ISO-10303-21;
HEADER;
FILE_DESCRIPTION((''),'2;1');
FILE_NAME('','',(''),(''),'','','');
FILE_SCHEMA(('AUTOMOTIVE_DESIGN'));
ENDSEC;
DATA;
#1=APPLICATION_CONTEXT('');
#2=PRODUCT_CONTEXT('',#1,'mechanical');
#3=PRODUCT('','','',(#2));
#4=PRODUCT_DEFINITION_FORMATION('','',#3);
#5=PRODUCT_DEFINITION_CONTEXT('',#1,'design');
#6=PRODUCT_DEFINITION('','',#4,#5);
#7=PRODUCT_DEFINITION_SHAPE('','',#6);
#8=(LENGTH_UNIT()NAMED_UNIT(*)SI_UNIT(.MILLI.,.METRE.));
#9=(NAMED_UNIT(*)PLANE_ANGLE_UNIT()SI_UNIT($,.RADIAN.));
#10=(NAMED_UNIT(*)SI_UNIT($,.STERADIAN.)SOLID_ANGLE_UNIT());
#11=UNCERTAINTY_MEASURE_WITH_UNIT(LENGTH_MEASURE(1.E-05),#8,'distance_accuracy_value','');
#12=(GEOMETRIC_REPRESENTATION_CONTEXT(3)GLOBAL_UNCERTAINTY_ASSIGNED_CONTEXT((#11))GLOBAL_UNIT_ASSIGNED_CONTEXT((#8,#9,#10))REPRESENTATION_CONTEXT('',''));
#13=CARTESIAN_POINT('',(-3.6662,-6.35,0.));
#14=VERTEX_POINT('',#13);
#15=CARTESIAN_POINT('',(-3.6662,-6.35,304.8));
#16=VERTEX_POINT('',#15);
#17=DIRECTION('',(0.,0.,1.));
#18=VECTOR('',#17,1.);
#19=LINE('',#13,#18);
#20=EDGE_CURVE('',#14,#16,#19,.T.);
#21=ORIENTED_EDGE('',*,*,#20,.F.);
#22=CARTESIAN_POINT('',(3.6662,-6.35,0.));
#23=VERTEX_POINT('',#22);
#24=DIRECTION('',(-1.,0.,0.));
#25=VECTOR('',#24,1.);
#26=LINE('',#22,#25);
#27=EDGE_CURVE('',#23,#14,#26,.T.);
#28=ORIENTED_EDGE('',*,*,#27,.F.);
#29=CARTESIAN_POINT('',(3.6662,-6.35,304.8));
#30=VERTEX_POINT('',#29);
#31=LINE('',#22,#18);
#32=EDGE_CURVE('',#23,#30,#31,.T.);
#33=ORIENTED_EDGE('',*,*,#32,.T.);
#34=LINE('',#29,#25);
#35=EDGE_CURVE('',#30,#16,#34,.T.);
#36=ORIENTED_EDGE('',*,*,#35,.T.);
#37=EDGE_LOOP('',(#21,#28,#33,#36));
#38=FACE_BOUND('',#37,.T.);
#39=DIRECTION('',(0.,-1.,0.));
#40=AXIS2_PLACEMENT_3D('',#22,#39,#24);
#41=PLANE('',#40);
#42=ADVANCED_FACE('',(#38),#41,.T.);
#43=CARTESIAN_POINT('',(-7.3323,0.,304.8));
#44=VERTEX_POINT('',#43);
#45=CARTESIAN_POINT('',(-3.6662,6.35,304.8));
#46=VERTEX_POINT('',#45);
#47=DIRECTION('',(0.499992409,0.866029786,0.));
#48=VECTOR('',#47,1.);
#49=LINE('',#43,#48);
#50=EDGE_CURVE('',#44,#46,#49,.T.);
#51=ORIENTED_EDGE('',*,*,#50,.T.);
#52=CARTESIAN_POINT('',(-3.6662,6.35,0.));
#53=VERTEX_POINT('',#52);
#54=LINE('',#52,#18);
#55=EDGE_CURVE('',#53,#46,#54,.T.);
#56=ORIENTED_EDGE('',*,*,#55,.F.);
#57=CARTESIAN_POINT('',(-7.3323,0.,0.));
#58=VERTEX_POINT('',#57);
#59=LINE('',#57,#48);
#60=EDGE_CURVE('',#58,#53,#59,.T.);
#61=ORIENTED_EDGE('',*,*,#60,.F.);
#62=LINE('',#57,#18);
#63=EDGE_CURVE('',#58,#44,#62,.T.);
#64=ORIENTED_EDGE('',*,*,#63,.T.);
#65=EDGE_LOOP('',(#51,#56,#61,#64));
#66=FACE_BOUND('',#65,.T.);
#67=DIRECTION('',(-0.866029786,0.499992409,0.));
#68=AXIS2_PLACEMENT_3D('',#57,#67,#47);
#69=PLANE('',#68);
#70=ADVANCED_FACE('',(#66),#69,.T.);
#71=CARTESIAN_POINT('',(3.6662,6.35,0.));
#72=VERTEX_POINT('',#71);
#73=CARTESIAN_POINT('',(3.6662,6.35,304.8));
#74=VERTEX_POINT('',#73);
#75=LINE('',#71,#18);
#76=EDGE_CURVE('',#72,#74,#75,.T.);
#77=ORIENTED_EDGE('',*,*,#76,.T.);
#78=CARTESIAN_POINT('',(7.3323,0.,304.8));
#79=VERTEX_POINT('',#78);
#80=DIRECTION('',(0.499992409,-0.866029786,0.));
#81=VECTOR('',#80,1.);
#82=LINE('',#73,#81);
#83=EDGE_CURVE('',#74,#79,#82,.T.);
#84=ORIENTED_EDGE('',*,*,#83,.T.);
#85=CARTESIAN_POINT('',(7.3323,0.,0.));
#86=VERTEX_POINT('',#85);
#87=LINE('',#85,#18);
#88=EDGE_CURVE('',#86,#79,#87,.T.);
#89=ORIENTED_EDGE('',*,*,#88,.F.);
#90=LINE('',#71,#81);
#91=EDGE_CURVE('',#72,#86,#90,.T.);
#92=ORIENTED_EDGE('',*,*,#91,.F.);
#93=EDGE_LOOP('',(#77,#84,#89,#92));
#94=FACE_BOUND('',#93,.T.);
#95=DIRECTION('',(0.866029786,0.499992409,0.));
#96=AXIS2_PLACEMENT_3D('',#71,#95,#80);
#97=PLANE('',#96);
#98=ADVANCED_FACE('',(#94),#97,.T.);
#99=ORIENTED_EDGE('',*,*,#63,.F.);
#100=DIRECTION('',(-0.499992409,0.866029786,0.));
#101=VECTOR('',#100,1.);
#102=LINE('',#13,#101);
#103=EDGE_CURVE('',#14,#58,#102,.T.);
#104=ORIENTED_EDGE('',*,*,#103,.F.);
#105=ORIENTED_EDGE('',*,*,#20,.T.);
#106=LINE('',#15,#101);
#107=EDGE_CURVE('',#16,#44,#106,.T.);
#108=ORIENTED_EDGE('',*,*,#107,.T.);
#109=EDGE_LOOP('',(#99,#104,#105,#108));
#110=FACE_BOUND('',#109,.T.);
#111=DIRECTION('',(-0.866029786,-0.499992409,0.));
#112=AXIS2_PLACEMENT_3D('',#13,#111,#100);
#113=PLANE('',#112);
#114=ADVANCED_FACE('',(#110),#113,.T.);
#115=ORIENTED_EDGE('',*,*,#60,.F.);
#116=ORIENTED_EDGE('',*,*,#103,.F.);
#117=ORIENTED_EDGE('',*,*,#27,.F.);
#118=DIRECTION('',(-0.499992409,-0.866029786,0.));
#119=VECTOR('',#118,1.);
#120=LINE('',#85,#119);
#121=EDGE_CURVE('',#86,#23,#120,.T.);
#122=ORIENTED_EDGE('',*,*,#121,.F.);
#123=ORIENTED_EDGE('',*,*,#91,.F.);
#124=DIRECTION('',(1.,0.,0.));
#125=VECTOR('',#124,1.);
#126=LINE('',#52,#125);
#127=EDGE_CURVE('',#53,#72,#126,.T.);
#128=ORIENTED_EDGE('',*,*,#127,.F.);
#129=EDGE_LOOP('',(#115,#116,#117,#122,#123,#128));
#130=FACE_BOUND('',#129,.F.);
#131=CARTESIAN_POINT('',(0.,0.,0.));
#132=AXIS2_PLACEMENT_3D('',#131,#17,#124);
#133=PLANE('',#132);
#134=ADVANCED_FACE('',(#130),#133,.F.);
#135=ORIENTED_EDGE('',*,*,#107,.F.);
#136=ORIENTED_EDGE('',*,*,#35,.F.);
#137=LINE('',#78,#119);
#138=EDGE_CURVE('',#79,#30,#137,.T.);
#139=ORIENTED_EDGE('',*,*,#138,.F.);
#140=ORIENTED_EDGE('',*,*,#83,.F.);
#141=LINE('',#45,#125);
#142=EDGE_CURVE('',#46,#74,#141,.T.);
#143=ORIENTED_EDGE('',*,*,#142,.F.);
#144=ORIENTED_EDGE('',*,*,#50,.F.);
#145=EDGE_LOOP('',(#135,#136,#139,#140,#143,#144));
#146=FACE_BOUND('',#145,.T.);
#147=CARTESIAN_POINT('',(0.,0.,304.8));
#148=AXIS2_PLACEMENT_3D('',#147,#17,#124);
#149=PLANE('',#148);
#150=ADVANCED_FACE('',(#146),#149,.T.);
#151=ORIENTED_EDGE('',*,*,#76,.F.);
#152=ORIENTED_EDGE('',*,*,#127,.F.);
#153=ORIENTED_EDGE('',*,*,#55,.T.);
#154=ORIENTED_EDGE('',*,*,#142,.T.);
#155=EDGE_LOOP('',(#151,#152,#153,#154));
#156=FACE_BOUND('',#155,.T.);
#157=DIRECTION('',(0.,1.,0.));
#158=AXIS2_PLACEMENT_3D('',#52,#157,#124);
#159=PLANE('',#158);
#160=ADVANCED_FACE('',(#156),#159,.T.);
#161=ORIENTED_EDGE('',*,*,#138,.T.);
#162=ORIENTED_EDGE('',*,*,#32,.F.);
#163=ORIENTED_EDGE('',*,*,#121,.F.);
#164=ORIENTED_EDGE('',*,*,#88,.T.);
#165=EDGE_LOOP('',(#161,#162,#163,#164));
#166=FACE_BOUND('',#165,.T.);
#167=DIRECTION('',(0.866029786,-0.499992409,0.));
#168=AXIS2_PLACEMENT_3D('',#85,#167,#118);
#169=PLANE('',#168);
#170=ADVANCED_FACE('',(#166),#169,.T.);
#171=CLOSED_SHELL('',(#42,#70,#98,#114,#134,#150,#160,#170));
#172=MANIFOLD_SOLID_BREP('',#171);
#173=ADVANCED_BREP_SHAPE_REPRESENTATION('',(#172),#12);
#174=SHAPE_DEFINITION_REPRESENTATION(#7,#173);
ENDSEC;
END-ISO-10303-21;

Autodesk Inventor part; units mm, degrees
ref_plane "YZ Plane" through (0, 0, 0) normal (1, 0, 0) x (0, 1, 0)
ref_plane "XZ Plane" through (0, 0, 0) normal (0, 1, 0) x (-1, 0, 0)
ref_plane "XY Plane" through (0, 0, 0) normal (0, 0, 1) x (1, 0, 0)
sketch "Sketch1" plane through (0, 0, 0) normal (0, 0, 1) x (1, 0, 0)
  line L0 (3.6662, 6.35) -> (7.3323, 0)
  line L1 (7.3323, 0) -> (3.6662, -6.35)
  line L2 (3.6662, -6.35) -> (-3.6662, -6.35)
  line L3 (-3.6662, -6.35) -> (-7.3323, 0)
  line L4 (-7.3323, 0) -> (-3.6662, 6.35)
  line L5 (-3.6662, 6.35) -> (3.6662, 6.35)
  point P0 (0, 0)
  point P1 (0, 0)
  dimension "d0" = 12.7
extrude "Extrusion1" add sketch "Sketch1" along normal blind 304.8
properties part number "hex rod 12 inch" material "Steel, Alloy"
